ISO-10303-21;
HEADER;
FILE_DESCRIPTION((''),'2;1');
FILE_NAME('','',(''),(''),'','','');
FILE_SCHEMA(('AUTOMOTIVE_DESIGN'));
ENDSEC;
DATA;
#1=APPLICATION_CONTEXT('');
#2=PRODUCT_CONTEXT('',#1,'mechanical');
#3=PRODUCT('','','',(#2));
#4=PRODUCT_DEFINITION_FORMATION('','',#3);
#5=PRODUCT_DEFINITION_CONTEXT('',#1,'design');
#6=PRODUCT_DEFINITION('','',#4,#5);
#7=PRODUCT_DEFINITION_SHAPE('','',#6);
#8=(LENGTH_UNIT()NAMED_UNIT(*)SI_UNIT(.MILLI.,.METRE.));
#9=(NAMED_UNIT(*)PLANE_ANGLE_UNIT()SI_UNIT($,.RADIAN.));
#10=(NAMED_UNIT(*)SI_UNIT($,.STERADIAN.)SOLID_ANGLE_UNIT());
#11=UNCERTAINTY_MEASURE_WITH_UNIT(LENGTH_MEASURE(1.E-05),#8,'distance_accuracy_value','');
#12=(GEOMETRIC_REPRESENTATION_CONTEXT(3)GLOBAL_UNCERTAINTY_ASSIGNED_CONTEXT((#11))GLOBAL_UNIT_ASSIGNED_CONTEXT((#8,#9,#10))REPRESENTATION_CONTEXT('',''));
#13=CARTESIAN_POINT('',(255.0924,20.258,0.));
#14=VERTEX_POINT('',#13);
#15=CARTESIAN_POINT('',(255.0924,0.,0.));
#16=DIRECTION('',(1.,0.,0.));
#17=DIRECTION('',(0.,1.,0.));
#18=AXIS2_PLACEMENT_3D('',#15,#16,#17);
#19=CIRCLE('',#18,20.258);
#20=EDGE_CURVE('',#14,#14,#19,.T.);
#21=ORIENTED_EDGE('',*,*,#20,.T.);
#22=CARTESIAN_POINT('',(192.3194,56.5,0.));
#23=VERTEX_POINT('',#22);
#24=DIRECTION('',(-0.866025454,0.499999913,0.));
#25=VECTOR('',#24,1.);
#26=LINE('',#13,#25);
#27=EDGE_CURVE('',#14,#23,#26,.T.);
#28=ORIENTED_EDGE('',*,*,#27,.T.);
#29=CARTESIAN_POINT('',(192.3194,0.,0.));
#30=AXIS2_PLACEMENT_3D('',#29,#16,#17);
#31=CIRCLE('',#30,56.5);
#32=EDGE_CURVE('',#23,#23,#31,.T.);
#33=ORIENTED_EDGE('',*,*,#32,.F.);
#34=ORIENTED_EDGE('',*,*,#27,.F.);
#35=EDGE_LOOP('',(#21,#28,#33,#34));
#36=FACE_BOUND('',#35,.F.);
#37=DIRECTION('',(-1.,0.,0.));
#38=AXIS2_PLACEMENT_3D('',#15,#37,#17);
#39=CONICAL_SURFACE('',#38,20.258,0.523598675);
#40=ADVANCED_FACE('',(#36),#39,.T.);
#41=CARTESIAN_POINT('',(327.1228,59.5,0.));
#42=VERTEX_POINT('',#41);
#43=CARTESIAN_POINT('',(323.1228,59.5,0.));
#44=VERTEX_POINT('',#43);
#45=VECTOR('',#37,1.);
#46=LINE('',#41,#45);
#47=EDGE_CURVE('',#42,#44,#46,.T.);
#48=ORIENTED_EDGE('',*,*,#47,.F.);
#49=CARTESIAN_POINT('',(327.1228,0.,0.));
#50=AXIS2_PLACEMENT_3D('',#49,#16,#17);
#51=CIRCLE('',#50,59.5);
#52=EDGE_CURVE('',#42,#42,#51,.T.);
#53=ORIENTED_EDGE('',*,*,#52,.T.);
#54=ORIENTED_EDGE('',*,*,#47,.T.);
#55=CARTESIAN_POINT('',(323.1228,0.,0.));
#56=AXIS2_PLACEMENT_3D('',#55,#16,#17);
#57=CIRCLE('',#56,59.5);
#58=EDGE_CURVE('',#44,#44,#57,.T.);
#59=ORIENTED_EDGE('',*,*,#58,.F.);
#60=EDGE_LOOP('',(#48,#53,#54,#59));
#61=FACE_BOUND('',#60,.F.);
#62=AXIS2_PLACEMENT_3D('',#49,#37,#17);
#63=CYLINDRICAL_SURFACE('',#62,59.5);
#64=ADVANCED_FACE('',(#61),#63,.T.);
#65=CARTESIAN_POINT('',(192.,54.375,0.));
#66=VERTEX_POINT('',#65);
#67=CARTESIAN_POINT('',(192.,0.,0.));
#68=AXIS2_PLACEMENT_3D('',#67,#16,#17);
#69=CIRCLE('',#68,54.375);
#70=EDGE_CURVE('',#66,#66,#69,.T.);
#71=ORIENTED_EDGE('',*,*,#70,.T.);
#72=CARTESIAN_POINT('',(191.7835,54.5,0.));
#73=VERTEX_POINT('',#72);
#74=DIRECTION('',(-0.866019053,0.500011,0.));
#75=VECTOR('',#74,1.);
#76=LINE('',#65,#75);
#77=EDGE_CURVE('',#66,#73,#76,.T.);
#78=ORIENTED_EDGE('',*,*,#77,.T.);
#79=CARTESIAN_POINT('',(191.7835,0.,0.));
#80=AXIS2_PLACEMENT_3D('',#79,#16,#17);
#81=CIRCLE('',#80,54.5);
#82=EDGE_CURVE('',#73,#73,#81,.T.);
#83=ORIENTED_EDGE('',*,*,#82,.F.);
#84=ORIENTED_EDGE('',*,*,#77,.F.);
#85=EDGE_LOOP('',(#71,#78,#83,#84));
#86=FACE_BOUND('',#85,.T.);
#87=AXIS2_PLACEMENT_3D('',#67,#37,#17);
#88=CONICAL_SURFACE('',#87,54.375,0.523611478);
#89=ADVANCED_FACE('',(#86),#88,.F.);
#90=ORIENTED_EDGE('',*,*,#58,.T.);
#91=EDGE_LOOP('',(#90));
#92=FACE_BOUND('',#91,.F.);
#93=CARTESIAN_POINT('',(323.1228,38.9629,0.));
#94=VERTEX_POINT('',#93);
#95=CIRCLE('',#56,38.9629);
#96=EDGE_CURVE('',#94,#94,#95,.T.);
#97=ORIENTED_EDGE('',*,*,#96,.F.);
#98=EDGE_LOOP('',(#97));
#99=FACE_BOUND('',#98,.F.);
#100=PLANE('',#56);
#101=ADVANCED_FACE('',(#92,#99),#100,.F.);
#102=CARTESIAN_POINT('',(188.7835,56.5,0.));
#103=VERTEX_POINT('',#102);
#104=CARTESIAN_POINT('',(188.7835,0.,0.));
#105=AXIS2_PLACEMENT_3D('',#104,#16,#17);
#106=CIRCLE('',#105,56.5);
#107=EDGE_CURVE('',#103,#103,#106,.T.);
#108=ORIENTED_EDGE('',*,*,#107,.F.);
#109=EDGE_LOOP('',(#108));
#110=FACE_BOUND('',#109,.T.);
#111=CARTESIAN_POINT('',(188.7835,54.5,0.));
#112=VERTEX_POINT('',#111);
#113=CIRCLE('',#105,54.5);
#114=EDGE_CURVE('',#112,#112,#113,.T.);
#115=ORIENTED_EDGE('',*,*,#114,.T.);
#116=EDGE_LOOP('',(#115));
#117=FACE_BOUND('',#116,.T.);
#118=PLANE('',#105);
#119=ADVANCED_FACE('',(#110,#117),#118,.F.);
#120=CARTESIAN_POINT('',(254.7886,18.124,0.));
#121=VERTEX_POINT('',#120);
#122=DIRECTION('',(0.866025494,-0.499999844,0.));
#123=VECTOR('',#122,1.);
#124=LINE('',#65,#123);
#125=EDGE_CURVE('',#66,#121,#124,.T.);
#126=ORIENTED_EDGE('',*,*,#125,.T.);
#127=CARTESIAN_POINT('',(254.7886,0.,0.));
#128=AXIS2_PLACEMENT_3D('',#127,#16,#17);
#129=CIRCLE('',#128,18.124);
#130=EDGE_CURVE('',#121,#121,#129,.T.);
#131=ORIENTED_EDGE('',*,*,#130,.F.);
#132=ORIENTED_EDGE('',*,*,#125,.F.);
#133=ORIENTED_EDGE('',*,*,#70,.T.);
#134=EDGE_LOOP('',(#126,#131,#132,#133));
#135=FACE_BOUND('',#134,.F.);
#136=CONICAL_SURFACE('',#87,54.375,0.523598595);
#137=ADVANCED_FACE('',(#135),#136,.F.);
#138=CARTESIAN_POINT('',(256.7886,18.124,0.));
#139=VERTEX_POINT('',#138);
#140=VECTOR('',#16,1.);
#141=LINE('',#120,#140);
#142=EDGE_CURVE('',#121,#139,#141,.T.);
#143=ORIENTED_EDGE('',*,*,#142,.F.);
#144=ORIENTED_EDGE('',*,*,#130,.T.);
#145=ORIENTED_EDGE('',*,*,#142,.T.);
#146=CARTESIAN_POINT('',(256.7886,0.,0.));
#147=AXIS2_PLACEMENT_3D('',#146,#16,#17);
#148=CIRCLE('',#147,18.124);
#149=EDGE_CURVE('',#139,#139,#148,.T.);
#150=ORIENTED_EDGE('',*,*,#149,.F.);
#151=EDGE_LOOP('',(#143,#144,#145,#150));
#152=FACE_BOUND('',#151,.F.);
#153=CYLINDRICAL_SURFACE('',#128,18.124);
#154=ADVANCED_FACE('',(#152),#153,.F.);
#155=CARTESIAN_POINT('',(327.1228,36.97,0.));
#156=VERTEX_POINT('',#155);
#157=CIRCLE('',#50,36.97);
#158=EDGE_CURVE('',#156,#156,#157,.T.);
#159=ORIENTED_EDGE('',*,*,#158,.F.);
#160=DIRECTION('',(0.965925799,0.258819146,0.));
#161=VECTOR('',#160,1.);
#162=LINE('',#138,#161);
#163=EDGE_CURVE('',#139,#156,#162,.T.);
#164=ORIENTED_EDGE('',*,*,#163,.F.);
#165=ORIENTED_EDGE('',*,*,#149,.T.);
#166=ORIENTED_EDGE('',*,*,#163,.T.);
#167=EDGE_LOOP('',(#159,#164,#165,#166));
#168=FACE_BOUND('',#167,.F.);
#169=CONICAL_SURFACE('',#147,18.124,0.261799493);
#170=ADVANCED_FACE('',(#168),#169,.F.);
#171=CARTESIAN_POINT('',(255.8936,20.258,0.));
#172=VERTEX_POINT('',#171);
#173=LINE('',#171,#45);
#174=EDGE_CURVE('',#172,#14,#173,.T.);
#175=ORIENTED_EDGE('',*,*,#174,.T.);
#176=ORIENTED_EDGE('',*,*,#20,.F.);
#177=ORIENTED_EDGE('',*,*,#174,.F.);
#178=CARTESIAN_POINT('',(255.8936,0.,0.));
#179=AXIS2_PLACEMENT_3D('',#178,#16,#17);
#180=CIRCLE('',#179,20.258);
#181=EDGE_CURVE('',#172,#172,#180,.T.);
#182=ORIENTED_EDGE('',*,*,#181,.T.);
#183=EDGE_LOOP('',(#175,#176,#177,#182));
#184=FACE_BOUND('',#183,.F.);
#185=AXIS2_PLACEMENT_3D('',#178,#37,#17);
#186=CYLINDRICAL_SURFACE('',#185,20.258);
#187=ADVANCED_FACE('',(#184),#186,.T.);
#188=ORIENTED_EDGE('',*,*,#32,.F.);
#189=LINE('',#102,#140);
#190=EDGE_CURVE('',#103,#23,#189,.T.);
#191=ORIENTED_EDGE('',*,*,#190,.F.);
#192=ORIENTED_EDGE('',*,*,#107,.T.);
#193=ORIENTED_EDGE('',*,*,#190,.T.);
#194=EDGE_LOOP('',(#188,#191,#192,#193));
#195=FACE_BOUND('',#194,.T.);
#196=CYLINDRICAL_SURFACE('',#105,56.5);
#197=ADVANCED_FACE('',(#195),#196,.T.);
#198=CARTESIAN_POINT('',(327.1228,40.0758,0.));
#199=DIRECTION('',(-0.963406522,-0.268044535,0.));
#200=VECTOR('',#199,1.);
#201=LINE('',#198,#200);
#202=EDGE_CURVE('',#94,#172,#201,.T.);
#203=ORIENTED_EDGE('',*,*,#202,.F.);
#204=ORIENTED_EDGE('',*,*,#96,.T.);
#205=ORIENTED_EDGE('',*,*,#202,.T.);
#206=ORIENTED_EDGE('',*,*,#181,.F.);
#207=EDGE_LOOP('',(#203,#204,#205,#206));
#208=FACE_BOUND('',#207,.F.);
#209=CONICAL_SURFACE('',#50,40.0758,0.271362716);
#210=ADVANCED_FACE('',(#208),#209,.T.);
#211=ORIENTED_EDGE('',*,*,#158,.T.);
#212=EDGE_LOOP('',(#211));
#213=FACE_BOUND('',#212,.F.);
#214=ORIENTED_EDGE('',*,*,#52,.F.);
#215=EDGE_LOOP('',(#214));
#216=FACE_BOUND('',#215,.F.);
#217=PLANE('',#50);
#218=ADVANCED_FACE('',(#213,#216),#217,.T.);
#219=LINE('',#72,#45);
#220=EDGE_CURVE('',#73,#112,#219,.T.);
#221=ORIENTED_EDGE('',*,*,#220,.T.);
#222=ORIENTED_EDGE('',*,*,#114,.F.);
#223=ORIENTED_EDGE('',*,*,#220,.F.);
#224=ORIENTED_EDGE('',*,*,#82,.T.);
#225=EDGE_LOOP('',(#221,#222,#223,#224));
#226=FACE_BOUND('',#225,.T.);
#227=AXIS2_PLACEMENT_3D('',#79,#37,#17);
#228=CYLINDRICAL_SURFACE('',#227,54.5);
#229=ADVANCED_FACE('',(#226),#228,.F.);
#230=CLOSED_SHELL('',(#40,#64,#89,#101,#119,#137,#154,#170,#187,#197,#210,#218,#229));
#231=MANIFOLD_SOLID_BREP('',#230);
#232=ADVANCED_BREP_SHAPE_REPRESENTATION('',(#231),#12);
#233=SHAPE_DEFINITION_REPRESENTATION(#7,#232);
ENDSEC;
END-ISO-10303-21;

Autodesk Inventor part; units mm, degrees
ref_plane "YZ Plane" through (0, 0, 0) normal (1, 0, 0) x (0, 1, 0)
ref_plane "XZ Plane" through (0, 0, 0) normal (0, 1, 0) x (-1, 0, 0)
ref_plane "XY Plane" through (0, 0, 0) normal (0, 0, 1) x (1, 0, 0)
sketch "Sketch1" plane through (0, 0, 0) normal (0, 0, 1) x (1, 0, 0)
  line L0 (254.7886, 18.124) -> (254.7886, 0) construction
  line L1 (192, 54.375) -> (254.7886, 18.124)
  line L2 (0, 0) -> (487.78, 0)
  line L3 (254.7886, 18.124) -> (256.7886, 18.124)
  line L4 (256.7886, 18.124) -> (327.1228, 36.97)
  line L5 (327.1228, 36.97) -> (327.1228, 0)
  line L6 (327.1228, 40.0758) -> (255.8936, 20.258)
  line L7 (255.8936, 20.258) -> (255.0924, 20.258)
  line L8 (255.0924, 20.258) -> (192.3194, 56.5)
  line L9 (327.1228, 36.97) -> (327.1228, 40.0758)
  line L10 (192, 54.375) -> (191.7835, 54.5)
  line L11 (0, 0) -> (0, 54.5)
  line L12 (0, 54.5) -> (274.8621, 54.5) construction
  line L13 (191.7835, 54.5) -> (188.7835, 54.5)
  line L14 (188.7835, 54.5) -> (188.7835, 56.5)
  line L15 (188.7835, 56.5) -> (192.3194, 56.5)
  line L16 (327.1228, 0) -> (327.1228, 59.5)
  line L17 (327.1228, 59.5) -> (323.1228, 59.5)
  line L18 (323.1228, 59.5) -> (323.1228, 38.9629)
  point P0 (322.4487, 38.7754)
  point P1 (191.9595, 55.4142)
  point P2 (188.9595, 55.4)
  dimension "d2" = 18.124
  dimension "d4" = 30
  dimension "d5" = 18.124
  dimension "d6" = 2
  dimension "d7" = 15
  dimension "d8" = 36.97
  dimension "d9" = 2
  dimension "d19" = 54.5
  dimension "d20" = 3
  dimension "d21" = 2
  dimension "d22" = 59.5
  dimension "d23" = 4
revolve "Revolution1" add sketch "Sketch1" angle 360 about axis through (0, 0, 0) along (1, 0, 0)
properties part number "stainless steel final nozzle" material "Stainless Steel"
